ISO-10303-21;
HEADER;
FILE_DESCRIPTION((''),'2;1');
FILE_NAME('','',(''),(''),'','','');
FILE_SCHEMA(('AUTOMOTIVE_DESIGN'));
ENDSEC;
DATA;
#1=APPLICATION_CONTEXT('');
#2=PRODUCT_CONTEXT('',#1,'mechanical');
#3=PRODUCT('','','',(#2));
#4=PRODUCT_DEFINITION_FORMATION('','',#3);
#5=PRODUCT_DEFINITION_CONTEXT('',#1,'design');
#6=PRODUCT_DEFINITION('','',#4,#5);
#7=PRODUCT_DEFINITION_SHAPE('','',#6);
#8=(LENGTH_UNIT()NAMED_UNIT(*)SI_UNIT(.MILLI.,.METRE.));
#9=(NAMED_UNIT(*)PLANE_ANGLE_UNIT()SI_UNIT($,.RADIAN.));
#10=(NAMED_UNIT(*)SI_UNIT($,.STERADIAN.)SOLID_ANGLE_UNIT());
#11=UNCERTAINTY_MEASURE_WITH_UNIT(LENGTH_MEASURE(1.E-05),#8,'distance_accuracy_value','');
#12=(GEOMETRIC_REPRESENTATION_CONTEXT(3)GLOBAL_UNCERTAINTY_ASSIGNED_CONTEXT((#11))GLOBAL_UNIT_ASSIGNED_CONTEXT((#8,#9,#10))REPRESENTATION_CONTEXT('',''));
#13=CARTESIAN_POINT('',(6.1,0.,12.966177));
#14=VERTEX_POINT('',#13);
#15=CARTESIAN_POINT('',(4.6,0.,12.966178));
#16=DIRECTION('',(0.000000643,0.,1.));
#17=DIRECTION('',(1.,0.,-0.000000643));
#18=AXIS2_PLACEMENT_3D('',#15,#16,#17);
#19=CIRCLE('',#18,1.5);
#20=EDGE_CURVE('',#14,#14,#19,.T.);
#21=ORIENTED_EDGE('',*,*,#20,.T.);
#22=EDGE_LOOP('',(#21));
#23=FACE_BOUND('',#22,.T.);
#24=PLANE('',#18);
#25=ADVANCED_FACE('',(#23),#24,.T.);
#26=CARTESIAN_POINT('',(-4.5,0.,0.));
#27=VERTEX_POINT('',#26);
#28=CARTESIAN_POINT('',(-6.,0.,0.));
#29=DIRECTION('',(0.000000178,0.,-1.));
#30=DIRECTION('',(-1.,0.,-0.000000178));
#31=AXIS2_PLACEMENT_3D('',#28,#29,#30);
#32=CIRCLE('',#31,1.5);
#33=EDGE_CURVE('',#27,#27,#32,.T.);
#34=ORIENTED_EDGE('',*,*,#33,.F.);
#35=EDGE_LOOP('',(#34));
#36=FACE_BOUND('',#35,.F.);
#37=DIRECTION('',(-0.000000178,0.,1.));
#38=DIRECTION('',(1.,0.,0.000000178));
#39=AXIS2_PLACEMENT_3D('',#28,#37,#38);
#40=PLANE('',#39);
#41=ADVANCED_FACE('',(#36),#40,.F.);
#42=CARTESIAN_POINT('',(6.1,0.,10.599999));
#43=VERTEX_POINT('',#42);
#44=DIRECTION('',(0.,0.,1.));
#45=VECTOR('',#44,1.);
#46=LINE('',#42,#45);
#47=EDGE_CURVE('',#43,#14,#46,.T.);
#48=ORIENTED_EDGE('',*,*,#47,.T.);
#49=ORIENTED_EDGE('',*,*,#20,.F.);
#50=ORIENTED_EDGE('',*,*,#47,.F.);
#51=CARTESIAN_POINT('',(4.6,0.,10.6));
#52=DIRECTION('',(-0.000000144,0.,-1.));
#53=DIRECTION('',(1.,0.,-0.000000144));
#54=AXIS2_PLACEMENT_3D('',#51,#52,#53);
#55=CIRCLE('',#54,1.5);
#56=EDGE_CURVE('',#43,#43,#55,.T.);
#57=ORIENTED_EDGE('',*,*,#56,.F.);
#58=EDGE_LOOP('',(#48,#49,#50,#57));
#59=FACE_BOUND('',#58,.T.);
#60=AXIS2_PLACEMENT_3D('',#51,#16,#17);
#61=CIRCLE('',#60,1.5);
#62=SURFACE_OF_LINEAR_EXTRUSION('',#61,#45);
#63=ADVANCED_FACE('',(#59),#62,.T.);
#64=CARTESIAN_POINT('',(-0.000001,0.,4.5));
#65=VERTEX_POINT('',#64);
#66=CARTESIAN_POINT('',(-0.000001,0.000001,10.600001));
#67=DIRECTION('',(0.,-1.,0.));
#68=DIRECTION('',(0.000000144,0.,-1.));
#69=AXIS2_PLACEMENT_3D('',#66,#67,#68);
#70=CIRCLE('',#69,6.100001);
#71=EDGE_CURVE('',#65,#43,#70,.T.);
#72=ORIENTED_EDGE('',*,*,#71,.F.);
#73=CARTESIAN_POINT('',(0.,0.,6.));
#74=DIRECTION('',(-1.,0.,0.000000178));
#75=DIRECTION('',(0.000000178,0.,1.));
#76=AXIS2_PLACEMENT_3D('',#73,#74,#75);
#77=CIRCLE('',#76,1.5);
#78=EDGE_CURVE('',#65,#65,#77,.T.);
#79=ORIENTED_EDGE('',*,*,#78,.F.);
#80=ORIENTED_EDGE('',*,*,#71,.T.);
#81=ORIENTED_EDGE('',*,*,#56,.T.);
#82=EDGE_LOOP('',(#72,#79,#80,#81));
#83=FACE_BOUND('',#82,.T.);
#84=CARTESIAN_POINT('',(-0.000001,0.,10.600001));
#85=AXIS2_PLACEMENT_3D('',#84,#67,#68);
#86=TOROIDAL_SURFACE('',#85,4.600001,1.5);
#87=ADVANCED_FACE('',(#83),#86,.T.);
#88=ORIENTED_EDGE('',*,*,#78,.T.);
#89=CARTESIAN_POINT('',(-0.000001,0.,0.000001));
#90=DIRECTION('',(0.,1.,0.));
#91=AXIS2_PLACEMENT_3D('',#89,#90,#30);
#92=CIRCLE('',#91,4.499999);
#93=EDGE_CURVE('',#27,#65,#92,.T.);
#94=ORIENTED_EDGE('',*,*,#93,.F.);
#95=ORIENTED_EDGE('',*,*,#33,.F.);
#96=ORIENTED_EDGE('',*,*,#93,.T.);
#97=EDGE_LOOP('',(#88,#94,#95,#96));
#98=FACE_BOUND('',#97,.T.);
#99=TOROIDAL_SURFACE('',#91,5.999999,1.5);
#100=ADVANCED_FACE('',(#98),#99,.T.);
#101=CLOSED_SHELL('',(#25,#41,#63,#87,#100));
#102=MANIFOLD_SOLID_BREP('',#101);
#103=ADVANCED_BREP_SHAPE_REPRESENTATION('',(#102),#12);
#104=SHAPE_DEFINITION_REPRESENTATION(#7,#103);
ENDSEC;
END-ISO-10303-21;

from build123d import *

# Parameters (mm, degrees)
F1_R = 1.5


with BuildPart() as f2:
    # F2: sweep along a path in F0
    with BuildLine(Plane.XZ) as f2_path:
        ThreePointArc((-6, 0), (-4.242641, 4.242641), (0, 6))
        ThreePointArc((0, 6), (3.252691, 7.347309), (4.6, 10.6))
        Line((4.6, 10.6), (4.6, 12.966178))
    # F1 (on Top) → F2 (sweep)
    with BuildSketch(Plane.XY):
        with Locations((-6, 0)):
            Circle(F1_R)
    sweep(path=f2_path.line)


solid = f2.part
